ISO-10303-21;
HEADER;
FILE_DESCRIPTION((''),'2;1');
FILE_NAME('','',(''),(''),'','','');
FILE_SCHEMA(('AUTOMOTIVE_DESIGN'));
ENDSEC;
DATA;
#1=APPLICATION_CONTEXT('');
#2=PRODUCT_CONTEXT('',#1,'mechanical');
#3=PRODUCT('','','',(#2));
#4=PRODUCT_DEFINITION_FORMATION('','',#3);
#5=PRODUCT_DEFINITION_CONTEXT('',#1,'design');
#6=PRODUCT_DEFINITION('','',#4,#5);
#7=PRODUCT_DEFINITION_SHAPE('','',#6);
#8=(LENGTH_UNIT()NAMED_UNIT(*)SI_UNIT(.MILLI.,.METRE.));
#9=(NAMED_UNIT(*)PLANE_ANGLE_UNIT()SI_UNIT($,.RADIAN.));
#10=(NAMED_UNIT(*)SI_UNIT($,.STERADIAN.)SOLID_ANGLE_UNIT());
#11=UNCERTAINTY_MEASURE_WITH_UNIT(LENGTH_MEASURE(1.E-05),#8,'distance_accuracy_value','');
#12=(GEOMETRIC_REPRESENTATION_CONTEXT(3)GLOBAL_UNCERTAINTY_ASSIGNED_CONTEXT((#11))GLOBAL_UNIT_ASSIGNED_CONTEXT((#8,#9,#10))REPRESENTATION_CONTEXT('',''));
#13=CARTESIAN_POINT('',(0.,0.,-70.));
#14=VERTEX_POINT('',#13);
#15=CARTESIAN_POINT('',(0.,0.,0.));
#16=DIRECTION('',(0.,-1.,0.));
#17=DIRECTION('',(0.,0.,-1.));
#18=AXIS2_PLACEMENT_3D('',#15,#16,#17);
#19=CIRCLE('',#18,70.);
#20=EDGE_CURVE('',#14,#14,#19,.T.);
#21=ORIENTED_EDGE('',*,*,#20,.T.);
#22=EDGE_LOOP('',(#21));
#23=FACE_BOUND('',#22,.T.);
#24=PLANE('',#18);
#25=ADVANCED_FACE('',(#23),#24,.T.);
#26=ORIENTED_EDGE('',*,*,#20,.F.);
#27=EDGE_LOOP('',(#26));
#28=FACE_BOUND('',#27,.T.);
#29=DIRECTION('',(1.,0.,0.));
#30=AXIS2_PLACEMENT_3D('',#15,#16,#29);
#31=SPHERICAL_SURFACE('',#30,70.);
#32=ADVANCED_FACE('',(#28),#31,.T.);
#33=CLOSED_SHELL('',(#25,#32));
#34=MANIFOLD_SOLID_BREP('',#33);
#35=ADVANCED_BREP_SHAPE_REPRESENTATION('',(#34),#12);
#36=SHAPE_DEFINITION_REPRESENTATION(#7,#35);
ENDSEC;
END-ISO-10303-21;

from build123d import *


with BuildPart() as part:
    # 草图1 → 旋转1 (revolve)
    with BuildSketch(Plane.XY):
        with BuildLine():
            Line((-70, 0), (0, 0))
            Line((0, 0), (0, 70))
            ThreePointArc((0, 70), (-49.497474683, 49.497474683), (-70, 0))
        make_face()
    revolve(axis=Axis((0, -70, 0), (0, 1, 0)))


solid = part.part
